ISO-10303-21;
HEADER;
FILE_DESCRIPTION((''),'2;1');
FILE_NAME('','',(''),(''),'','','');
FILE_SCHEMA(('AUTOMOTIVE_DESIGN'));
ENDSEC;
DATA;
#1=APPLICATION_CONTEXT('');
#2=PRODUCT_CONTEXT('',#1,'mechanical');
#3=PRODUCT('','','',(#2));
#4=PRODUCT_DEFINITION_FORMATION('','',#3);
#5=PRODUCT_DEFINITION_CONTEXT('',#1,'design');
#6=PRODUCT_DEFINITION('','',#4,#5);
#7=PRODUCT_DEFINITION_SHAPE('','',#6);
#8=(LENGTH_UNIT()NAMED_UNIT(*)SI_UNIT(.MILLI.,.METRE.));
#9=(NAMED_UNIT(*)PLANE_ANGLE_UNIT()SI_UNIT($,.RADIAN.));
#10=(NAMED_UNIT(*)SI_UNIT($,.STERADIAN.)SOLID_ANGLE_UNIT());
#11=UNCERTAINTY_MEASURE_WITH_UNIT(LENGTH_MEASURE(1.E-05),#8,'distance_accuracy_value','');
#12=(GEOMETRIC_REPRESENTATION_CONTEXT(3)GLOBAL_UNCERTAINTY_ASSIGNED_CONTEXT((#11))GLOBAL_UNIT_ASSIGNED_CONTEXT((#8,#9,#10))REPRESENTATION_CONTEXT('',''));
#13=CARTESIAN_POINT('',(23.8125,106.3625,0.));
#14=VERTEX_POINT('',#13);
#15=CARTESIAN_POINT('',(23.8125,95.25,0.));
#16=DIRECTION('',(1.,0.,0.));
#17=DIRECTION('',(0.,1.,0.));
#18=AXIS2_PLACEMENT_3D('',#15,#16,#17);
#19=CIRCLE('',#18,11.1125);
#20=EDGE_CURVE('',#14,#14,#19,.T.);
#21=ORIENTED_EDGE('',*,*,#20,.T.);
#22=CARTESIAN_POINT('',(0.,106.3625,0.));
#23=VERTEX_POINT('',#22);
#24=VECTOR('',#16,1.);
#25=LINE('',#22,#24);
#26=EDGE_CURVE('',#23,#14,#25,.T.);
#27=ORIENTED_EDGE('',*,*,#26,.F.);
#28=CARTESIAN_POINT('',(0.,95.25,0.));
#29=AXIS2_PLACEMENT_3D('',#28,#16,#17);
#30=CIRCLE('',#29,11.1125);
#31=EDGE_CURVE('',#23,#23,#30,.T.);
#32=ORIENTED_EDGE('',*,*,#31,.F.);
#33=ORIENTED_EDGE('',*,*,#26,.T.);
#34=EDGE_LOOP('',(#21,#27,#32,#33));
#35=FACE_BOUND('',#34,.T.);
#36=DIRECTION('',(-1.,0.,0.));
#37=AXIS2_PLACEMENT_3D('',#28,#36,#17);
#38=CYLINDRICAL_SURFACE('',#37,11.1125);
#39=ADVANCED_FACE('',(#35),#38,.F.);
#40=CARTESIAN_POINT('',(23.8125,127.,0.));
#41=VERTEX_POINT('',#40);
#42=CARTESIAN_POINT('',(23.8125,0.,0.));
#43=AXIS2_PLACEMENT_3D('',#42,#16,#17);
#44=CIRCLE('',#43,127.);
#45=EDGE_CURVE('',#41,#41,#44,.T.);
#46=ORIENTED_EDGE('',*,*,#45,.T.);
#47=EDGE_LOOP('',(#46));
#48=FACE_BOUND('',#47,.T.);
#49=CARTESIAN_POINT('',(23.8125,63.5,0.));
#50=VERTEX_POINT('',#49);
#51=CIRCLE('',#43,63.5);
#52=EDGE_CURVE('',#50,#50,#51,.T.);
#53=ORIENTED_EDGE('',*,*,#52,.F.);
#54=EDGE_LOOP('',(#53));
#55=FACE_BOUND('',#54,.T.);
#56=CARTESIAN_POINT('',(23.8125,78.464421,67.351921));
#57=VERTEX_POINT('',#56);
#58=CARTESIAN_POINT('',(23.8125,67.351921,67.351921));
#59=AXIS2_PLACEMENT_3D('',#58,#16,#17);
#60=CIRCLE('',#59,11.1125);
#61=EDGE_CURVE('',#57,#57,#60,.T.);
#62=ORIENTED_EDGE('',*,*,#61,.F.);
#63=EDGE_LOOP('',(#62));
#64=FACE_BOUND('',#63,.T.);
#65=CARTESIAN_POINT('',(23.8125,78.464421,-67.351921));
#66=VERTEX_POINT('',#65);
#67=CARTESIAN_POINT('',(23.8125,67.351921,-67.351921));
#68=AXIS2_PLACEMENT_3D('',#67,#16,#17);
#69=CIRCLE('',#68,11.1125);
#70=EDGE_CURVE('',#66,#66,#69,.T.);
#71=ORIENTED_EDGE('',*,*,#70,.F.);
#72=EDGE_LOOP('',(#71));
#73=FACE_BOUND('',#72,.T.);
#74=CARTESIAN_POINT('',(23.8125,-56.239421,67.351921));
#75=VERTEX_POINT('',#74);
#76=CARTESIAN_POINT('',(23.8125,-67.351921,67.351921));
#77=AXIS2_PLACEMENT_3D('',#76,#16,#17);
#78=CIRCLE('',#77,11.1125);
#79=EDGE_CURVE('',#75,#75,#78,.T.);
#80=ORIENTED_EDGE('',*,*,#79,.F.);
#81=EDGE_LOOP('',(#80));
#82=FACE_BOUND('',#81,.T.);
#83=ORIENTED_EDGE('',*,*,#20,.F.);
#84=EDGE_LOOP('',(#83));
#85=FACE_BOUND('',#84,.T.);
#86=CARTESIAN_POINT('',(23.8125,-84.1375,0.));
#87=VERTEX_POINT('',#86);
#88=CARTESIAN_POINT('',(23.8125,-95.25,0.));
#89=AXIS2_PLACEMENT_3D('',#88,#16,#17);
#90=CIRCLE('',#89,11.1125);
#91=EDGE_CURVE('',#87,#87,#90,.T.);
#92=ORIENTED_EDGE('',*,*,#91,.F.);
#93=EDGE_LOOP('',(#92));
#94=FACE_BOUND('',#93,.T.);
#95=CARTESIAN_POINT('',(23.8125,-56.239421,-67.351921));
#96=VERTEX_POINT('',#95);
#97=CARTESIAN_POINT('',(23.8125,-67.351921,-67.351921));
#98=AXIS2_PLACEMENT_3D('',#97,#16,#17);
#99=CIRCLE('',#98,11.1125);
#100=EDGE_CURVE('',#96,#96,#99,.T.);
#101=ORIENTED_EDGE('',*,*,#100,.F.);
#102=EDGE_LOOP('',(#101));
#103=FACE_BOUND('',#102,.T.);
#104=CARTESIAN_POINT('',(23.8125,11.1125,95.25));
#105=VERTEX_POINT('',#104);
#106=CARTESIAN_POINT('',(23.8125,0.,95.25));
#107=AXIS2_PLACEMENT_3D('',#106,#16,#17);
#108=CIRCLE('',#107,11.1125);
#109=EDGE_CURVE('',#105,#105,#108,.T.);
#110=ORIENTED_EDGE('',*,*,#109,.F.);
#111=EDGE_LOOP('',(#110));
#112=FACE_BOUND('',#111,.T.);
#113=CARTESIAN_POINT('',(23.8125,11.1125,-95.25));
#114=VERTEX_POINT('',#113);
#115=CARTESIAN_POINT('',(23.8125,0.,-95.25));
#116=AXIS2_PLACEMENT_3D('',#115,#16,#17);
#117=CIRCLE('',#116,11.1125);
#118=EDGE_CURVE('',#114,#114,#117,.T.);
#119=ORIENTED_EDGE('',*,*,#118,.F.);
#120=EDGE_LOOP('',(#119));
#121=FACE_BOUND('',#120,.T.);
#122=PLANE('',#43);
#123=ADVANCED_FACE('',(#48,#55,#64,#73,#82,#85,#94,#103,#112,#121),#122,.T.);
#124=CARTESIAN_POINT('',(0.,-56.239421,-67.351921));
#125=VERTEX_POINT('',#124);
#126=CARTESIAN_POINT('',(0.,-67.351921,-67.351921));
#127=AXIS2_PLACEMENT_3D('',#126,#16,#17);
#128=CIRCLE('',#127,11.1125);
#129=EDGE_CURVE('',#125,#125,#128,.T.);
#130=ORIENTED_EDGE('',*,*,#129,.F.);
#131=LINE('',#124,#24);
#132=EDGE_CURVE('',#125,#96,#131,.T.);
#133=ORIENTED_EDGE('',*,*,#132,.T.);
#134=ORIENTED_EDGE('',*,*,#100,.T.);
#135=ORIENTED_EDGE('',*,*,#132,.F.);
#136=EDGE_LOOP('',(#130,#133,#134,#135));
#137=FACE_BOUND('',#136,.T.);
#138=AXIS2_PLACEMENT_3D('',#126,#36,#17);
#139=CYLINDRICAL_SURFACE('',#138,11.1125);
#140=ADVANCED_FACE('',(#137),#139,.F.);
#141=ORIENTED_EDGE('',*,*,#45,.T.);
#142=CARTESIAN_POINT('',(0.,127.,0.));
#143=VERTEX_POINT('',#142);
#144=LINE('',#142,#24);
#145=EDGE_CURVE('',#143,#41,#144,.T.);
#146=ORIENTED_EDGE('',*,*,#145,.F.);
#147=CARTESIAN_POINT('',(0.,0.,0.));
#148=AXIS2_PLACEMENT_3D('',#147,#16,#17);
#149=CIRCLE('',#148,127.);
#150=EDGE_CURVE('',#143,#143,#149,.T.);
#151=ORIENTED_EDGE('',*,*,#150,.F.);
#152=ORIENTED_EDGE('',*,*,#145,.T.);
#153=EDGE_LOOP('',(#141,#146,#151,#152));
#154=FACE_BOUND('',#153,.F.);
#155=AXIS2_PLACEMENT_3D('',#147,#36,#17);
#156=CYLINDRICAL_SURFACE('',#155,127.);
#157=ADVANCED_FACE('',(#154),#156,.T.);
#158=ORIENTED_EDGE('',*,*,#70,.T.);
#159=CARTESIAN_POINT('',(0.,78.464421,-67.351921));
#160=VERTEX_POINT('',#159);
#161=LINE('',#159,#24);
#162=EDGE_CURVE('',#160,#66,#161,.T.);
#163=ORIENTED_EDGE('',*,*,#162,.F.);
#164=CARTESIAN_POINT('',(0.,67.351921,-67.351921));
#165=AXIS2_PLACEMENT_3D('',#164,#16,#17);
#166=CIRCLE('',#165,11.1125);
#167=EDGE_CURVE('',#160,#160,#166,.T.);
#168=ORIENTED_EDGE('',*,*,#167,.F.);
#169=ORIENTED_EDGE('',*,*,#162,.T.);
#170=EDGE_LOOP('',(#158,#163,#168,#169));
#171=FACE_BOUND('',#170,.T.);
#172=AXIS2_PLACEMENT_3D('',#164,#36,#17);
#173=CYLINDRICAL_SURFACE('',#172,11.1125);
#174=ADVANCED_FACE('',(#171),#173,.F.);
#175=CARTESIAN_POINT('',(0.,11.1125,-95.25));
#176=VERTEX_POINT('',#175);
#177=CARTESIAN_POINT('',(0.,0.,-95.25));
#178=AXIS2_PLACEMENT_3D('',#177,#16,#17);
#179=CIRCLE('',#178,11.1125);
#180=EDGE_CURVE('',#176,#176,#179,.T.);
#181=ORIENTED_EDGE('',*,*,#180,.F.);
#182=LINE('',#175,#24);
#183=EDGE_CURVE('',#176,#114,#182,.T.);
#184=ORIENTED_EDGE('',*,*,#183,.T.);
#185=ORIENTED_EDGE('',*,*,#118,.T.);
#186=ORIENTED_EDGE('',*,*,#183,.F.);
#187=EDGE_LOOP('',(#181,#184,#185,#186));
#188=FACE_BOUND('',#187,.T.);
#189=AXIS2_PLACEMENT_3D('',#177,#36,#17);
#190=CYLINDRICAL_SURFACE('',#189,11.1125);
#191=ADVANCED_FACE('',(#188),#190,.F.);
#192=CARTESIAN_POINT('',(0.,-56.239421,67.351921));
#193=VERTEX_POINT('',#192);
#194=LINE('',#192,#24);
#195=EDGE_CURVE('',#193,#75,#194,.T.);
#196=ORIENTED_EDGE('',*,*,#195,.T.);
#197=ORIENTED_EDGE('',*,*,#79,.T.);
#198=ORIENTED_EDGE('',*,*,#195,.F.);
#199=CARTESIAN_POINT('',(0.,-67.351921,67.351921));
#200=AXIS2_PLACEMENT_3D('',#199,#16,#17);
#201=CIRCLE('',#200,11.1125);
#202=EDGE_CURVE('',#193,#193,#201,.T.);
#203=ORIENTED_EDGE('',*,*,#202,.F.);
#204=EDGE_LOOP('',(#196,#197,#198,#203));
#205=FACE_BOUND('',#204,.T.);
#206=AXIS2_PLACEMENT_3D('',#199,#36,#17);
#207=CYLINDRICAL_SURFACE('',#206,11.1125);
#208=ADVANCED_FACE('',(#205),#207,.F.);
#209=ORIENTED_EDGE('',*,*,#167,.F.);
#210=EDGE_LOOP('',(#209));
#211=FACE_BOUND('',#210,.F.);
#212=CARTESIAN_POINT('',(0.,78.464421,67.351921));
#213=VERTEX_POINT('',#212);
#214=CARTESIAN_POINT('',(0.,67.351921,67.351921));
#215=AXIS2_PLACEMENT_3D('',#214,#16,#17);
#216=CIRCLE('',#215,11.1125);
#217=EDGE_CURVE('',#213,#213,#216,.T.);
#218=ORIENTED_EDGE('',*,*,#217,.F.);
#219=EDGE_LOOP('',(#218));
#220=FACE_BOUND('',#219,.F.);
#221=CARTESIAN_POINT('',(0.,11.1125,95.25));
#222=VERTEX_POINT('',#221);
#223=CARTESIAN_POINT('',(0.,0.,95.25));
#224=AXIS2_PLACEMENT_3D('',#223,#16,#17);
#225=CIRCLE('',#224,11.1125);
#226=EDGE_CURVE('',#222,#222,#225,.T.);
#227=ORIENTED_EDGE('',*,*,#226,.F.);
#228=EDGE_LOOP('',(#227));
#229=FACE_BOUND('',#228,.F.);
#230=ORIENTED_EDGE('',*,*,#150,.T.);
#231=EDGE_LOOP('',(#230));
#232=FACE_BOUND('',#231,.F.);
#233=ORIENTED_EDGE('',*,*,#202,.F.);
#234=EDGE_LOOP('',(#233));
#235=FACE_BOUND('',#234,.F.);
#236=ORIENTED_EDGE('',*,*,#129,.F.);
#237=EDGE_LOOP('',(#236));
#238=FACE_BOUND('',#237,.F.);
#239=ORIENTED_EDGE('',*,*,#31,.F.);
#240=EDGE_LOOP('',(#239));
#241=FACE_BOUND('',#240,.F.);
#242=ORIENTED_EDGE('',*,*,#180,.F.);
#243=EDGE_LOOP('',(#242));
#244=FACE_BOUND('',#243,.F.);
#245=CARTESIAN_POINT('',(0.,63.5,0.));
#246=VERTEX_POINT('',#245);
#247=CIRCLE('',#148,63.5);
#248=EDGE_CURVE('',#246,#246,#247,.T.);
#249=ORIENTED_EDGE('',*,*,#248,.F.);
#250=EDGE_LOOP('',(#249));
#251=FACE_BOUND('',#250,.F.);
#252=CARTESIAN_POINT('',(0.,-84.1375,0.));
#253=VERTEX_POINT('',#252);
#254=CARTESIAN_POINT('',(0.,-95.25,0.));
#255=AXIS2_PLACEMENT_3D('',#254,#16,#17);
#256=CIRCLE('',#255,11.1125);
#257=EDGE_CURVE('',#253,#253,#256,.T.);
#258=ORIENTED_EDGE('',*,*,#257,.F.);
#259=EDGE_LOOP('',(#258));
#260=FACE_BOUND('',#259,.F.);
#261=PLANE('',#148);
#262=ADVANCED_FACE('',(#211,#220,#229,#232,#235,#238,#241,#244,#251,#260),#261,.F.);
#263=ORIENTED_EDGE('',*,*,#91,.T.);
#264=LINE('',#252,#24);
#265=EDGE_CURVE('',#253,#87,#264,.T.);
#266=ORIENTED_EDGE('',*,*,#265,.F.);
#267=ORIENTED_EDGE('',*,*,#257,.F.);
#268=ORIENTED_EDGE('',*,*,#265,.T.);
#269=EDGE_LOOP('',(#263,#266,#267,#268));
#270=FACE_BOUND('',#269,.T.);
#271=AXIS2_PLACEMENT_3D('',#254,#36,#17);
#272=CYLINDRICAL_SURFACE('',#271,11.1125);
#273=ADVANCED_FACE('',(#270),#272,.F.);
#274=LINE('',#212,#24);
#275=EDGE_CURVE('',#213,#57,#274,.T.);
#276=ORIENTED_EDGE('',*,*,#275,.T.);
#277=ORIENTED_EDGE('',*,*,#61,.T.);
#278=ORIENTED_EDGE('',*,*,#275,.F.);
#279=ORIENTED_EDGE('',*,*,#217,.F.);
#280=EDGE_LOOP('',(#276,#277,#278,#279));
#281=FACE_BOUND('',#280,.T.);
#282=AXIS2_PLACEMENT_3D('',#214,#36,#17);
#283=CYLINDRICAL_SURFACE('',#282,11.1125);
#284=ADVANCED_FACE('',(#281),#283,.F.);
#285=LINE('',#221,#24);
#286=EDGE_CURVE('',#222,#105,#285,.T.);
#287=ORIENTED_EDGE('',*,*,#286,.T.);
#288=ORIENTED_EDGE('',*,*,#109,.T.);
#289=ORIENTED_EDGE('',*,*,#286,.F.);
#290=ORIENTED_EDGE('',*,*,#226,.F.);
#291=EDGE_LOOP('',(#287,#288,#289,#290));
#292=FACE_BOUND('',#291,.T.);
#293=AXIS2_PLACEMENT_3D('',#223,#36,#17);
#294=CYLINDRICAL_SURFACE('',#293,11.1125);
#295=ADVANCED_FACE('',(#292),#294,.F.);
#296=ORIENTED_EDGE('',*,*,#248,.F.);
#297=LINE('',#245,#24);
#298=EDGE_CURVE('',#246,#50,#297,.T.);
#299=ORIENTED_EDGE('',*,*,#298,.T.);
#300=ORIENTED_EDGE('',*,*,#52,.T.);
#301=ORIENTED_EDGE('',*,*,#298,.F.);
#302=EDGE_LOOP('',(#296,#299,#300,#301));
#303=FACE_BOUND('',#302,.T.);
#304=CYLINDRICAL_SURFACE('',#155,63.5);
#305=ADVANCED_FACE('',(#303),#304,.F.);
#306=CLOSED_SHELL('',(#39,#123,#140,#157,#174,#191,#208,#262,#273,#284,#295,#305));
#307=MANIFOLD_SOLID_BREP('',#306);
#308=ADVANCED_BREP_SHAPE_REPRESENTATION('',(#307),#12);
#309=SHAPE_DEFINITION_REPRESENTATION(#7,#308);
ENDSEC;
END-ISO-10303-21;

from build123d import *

# Parameters (mm, degrees)
F0_R     = 127
F0_R_2   = 11.1125
F0_R_3   = 63.5
F1_DEPTH = 23.8125


with BuildPart() as f1:
    # F0 (on Right) → F1 (new body)
    with BuildSketch(Plane.YZ):
        Circle(F0_R)
        with Locations((-67.351921, -67.351921)):
            Circle(F0_R_2, mode=Mode.SUBTRACT)
        with Locations((0, -95.25)):
            Circle(F0_R_2, mode=Mode.SUBTRACT)
        with Locations((67.351921, -67.351921)):
            Circle(F0_R_2, mode=Mode.SUBTRACT)
        with Locations((-95.25, 0)):
            Circle(F0_R_2, mode=Mode.SUBTRACT)
        with Locations((-67.351921, 67.351921)):
            Circle(F0_R_2, mode=Mode.SUBTRACT)
        Circle(F0_R_3, mode=Mode.SUBTRACT)
        with Locations((95.25, 0)):
            Circle(F0_R_2, mode=Mode.SUBTRACT)
        with Locations((0, 95.25)):
            Circle(F0_R_2, mode=Mode.SUBTRACT)
        with Locations((67.351921, 67.351921)):
            Circle(F0_R_2, mode=Mode.SUBTRACT)
    extrude(amount=F1_DEPTH)


solid = f1.part
